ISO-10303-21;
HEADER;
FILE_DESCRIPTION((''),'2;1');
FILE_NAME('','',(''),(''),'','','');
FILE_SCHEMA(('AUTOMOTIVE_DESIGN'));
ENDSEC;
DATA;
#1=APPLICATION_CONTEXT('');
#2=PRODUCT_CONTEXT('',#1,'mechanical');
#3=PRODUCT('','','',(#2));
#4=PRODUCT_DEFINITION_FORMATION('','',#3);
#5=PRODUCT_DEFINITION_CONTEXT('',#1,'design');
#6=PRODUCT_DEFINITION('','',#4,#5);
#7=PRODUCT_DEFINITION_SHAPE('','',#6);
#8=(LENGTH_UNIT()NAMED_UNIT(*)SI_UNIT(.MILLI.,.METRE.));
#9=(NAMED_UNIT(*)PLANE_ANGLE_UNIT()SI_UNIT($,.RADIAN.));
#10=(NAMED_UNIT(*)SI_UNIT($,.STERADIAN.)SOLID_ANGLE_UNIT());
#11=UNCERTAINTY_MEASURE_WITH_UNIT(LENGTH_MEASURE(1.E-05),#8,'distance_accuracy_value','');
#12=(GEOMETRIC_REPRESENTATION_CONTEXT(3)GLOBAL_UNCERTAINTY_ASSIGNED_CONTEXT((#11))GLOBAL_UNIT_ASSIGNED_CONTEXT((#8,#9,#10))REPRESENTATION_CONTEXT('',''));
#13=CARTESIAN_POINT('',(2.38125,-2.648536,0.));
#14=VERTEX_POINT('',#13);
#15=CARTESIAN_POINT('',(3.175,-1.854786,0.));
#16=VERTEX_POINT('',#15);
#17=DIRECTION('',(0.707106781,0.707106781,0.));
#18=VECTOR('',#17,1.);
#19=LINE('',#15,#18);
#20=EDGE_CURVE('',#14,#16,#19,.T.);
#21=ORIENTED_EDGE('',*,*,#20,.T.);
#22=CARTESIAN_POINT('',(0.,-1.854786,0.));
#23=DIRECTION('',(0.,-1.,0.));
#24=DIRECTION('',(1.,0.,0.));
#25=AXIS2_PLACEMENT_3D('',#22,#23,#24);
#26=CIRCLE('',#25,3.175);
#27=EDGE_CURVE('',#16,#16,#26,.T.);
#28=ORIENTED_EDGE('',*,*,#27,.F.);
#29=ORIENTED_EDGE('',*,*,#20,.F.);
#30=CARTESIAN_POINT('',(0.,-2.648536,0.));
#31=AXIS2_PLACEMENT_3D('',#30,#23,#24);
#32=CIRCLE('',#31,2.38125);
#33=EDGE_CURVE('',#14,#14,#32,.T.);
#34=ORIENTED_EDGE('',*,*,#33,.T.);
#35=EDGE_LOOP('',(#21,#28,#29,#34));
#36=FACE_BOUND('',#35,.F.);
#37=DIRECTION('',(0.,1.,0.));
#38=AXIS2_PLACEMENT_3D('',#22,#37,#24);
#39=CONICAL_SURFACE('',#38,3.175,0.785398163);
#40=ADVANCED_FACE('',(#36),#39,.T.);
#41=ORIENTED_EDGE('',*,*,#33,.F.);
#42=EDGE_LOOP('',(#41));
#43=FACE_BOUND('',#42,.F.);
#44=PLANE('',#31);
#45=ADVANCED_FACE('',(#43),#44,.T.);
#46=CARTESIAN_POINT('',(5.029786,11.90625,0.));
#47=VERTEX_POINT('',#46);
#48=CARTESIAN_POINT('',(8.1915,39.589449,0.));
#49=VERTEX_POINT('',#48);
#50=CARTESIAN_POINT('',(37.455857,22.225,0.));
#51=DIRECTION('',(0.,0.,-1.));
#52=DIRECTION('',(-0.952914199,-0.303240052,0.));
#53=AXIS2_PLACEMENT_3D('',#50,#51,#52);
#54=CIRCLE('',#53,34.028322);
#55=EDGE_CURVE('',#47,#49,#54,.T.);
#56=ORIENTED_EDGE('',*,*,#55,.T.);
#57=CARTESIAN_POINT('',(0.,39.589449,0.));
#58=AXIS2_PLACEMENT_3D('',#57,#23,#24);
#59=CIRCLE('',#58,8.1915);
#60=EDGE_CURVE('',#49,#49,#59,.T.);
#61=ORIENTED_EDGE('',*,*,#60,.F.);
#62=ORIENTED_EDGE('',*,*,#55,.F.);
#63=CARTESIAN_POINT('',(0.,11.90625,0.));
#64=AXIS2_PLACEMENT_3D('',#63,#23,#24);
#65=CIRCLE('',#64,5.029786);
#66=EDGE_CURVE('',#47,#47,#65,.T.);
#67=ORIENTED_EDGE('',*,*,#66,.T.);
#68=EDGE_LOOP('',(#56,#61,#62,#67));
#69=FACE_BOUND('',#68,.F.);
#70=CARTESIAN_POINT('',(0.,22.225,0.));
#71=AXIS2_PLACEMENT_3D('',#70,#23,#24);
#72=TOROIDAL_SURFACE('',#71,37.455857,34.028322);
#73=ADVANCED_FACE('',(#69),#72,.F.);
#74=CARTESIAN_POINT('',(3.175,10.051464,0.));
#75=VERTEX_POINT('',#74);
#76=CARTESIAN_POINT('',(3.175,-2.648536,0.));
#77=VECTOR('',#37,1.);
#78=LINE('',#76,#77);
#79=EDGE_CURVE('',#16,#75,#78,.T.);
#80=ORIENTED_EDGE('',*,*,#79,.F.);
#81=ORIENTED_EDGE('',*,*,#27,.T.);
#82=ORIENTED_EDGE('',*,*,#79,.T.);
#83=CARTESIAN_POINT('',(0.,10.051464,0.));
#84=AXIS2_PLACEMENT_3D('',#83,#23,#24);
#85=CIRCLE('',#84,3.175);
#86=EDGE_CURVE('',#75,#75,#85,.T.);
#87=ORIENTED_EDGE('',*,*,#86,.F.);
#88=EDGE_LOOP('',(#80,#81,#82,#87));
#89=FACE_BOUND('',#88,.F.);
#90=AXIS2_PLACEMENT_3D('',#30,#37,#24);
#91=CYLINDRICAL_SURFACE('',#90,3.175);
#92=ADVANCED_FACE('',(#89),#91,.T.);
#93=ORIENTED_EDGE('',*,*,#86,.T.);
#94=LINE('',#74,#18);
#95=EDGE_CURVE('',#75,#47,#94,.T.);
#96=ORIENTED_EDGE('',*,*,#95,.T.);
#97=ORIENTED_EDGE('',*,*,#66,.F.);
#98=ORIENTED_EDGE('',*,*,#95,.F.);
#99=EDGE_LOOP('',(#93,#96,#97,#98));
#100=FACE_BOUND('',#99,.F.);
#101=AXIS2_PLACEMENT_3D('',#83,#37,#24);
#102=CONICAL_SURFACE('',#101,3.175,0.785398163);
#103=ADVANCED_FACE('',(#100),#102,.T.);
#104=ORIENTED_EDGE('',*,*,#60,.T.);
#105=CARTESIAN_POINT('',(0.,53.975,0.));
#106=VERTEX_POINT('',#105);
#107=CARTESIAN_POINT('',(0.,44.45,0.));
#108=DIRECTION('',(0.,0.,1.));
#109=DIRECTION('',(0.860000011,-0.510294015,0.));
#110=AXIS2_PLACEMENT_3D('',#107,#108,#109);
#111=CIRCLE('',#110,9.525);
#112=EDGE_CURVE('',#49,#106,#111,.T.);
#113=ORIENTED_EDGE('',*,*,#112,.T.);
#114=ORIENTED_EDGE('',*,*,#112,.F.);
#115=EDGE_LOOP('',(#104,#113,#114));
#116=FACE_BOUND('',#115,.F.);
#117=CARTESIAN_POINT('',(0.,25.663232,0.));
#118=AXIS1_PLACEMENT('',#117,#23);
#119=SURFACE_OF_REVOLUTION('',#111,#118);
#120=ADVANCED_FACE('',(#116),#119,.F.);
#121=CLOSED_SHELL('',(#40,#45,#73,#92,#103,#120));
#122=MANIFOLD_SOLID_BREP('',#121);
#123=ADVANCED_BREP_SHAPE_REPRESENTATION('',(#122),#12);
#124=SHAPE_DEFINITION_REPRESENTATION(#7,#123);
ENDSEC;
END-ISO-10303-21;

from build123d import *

# Parameters (mm, degrees)
F2_SIZE = 0.79375


with BuildPart() as f1:
    # F0 (on Top) → F1 (revolve)
    with BuildSketch(Plane.XY):
        with BuildLine():
            ThreePointArc((5.029786, 11.90625), (3.647321, 26.086292), (8.1915, 39.589449))
            ThreePointArc((8.1915, 39.589449), (8.277148, 49.16322), (0, 53.975))
            Line((0, 53.975), (0, -2.648536))
            Line((0, -2.648536), (3.175, -2.648536))
            Line((3.175, -2.648536), (3.175, 10.051464))
            Line((3.175, 10.051464), (5.029786, 11.90625))
        make_face()
    revolve(axis=Axis((0, 25.663232, 0), (0, -1, 0)))

    # F2
    f2_edges = [f1.edges().sort_by_distance(p)[0] for p in [
        (-3.175, -2.648536, 0),
    ]]
    chamfer(f2_edges, length=F2_SIZE)


solid = f1.part
